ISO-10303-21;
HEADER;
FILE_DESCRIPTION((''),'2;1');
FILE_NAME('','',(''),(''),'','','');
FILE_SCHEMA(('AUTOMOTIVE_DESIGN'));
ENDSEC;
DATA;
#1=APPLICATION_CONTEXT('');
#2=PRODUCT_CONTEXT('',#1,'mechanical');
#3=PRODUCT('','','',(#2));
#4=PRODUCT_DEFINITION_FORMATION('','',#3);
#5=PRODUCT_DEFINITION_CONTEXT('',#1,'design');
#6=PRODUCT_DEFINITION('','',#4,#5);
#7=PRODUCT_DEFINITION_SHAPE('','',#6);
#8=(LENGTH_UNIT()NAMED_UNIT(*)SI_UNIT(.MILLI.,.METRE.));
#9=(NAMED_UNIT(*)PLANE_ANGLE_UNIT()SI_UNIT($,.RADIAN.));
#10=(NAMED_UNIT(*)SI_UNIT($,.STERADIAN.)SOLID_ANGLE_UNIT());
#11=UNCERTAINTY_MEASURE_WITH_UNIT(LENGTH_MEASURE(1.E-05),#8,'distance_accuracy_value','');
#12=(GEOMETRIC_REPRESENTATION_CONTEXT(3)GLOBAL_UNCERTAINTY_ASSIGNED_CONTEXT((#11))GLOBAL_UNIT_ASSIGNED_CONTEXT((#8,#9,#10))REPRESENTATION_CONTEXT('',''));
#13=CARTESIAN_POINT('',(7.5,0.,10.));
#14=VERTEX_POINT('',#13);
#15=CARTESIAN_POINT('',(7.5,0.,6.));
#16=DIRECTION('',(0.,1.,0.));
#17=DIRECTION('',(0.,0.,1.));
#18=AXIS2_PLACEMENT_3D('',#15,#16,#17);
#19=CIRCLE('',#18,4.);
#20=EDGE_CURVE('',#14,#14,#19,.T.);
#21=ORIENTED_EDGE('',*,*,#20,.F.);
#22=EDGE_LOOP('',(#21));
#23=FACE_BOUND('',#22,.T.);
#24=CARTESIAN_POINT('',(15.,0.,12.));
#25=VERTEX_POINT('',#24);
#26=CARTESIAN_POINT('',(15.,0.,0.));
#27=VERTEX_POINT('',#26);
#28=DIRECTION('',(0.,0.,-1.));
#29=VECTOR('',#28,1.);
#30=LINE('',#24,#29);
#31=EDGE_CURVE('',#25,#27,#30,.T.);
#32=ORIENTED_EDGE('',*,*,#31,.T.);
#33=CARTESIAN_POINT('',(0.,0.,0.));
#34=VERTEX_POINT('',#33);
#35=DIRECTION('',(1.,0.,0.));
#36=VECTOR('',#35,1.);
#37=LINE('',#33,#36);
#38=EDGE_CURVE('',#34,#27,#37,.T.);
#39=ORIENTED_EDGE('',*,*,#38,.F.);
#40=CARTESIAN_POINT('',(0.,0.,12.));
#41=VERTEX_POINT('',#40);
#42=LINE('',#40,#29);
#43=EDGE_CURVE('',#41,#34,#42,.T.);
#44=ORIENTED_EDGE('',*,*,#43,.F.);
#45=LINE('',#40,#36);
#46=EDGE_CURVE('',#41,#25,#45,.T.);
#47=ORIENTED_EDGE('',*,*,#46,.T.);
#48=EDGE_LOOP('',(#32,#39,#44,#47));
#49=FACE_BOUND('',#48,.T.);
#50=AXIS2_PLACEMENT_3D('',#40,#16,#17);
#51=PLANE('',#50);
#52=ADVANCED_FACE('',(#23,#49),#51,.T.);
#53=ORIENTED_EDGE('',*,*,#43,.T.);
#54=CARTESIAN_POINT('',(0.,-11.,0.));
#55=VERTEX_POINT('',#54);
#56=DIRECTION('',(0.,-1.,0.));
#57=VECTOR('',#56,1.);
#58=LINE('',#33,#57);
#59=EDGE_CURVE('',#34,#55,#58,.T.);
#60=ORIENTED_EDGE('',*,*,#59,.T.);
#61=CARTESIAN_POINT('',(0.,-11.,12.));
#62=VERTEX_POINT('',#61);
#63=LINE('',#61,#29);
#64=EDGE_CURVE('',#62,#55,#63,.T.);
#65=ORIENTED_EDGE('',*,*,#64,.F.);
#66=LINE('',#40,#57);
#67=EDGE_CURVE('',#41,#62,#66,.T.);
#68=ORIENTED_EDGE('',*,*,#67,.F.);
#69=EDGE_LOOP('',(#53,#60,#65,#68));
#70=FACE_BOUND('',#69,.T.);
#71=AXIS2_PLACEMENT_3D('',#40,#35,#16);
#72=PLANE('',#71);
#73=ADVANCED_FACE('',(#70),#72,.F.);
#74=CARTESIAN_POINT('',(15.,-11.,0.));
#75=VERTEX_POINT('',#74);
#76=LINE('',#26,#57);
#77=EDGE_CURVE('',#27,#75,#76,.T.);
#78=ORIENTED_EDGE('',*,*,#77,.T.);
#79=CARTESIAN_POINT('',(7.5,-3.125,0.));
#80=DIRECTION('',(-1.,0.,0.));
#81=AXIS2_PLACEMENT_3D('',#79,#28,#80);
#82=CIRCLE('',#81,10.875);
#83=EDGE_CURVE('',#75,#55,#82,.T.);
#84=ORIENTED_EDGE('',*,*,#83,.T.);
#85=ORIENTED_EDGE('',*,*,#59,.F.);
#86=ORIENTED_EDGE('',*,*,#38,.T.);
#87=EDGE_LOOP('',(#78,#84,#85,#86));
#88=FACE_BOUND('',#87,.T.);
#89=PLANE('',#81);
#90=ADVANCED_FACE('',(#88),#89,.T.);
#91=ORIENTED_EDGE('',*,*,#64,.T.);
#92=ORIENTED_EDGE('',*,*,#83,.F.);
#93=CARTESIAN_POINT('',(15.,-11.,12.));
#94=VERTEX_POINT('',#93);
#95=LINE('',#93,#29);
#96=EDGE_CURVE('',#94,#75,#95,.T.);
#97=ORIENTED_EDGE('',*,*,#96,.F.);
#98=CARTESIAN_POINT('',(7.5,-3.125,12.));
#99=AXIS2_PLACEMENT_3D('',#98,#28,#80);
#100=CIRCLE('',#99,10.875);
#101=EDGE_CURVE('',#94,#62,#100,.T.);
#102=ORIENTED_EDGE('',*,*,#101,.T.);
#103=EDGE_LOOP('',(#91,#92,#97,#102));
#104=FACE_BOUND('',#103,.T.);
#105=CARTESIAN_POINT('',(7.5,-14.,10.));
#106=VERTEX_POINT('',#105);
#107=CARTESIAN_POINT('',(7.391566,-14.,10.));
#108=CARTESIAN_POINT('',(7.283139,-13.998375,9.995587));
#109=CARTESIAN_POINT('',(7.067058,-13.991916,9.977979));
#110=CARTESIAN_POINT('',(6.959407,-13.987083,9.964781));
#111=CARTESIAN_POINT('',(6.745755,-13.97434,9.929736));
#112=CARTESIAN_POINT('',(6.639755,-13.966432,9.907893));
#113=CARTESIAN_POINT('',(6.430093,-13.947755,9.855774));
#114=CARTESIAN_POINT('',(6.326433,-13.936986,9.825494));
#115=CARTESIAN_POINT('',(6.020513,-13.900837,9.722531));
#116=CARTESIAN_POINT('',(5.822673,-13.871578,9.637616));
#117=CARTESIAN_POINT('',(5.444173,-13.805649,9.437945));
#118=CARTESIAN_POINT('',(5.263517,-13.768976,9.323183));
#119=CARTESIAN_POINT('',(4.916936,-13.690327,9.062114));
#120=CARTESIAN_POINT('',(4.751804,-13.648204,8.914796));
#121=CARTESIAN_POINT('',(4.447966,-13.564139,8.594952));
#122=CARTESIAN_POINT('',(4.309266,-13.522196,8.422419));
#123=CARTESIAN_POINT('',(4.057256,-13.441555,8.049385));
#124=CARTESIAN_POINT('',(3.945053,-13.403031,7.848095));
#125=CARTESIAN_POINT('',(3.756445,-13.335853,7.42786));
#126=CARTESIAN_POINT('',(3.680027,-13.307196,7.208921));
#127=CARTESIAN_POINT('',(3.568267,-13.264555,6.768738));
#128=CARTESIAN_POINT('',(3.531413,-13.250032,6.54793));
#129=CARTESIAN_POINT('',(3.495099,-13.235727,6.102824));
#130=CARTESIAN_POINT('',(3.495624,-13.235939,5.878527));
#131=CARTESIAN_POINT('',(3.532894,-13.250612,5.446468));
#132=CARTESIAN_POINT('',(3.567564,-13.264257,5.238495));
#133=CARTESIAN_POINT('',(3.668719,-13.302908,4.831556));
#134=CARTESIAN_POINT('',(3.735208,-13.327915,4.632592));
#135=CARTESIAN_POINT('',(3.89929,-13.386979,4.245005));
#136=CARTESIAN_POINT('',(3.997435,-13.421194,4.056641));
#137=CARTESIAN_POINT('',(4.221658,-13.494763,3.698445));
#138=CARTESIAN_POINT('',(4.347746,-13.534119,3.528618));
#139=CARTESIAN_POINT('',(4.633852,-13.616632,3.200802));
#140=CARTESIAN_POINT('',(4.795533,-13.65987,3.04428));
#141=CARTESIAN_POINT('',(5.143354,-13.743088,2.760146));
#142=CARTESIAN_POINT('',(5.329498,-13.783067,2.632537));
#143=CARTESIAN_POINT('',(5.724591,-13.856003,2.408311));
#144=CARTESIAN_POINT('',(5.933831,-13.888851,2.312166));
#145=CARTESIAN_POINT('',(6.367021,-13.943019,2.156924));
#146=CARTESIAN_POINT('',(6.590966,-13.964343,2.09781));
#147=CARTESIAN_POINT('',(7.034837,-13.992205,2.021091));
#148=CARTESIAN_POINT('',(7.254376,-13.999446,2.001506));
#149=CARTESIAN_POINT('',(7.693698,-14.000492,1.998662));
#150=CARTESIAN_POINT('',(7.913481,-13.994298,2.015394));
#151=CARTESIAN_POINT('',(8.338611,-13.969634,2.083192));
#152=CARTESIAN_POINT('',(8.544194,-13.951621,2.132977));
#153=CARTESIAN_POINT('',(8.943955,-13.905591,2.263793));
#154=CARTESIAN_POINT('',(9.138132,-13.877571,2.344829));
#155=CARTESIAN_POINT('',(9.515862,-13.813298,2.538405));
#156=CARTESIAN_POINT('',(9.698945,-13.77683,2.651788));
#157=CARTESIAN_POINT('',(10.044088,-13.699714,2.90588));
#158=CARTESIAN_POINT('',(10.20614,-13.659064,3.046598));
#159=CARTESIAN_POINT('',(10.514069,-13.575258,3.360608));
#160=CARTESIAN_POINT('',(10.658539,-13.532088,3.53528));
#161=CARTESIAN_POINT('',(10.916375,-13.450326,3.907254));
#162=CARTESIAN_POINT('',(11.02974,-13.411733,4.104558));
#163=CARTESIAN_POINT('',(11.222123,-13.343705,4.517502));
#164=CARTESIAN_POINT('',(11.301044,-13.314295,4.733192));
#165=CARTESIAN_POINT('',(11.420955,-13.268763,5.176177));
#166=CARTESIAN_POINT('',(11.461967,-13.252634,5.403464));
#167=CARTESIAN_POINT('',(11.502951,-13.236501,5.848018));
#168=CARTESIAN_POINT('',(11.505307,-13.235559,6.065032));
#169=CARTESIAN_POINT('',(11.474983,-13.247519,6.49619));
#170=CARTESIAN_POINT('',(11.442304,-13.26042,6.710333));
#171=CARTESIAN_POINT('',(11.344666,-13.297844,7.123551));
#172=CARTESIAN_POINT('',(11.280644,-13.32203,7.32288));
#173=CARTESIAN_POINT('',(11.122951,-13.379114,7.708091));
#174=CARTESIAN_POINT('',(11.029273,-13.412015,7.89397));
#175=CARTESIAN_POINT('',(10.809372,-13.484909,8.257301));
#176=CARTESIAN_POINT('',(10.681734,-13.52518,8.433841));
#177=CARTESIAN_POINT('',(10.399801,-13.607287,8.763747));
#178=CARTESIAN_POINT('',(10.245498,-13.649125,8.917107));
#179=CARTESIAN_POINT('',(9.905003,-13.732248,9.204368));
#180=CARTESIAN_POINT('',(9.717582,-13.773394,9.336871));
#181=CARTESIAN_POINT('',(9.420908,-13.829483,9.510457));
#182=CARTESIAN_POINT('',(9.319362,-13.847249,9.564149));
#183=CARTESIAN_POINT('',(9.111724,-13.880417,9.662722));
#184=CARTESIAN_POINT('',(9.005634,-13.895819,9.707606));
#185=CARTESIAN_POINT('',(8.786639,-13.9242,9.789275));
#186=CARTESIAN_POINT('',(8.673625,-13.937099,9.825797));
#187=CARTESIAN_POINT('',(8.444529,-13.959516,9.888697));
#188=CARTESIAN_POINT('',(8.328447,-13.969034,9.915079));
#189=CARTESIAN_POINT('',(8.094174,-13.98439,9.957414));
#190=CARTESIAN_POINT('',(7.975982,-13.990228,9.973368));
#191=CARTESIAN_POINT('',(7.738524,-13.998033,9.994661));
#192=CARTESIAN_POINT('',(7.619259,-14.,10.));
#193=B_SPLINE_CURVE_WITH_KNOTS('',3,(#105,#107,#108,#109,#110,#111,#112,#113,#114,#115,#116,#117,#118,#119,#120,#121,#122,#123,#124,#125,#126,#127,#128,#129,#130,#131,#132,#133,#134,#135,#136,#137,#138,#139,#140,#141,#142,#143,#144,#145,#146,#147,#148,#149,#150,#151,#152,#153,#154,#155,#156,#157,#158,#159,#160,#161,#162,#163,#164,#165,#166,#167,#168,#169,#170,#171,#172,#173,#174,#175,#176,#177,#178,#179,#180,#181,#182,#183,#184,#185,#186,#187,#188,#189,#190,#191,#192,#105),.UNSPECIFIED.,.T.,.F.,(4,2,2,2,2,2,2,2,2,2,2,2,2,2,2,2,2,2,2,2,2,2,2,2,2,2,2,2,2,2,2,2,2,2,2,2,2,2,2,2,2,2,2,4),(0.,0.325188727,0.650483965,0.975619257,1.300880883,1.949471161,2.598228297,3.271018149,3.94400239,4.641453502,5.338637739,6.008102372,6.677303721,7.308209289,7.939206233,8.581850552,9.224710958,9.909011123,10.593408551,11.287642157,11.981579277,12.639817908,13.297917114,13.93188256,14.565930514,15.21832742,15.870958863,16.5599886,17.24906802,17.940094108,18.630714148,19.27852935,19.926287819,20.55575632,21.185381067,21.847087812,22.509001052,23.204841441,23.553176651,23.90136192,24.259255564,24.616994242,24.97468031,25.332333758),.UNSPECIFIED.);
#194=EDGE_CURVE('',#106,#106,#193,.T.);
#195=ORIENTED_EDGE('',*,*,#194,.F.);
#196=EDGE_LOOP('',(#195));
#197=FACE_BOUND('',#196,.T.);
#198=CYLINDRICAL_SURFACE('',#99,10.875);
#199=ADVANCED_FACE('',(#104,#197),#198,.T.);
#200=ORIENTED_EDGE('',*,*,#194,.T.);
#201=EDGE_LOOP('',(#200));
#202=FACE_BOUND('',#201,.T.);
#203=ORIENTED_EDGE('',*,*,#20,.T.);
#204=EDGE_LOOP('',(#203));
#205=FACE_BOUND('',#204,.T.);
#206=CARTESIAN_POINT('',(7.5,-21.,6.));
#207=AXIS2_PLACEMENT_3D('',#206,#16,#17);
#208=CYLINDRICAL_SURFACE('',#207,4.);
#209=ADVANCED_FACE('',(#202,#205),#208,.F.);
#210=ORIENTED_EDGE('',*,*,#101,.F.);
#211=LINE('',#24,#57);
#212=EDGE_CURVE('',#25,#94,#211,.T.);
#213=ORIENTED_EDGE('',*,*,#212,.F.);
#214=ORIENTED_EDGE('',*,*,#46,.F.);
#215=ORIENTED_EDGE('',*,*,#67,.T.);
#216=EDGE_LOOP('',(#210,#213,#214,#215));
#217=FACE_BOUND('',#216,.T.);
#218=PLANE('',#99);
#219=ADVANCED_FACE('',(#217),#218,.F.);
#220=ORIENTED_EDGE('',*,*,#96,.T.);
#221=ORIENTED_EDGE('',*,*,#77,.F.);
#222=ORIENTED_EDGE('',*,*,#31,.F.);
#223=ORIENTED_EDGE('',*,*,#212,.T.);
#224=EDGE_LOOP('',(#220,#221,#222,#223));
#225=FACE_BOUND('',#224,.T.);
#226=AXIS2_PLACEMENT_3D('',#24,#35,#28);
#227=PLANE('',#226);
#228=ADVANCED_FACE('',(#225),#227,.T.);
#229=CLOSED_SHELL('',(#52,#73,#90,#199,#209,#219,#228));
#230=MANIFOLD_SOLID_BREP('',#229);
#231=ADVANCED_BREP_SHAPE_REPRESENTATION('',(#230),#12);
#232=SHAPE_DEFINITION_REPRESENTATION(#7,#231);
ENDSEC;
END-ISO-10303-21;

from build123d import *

# Parameters (mm, degrees)
DODANIE_WYCI_GNI_CIE1_DEPTH = 12
SZKIC2_R                    = 4
WYTNIJ_WYCI_GNI_CIE1_DEPTH  = 21


with BuildPart() as part:
    # Szkic1 → Dodanie-wyciągnięcie1 (new body)
    with BuildSketch(Plane.XY):
        with BuildLine():
            Line((0, 0), (15, 0))
            Line((15, 0), (15, -11))
            ThreePointArc((15, -11), (7.5, -14), (0, -11))
            Line((0, -11), (0, 0))
        make_face()
    extrude(amount=DODANIE_WYCI_GNI_CIE1_DEPTH)

    # Szkic2 → Wytnij-wyciągnięcie1 (cut)
    with BuildSketch(Plane(origin=(0, 0, 0), x_dir=(1, 0, 0), z_dir=(0, 1, 0))):
        with Locations(Location((7.5, -6, 0), (0, 0, 270))):
            Circle(SZKIC2_R)
    extrude(amount=-WYTNIJ_WYCI_GNI_CIE1_DEPTH, mode=Mode.SUBTRACT)


solid = part.part
